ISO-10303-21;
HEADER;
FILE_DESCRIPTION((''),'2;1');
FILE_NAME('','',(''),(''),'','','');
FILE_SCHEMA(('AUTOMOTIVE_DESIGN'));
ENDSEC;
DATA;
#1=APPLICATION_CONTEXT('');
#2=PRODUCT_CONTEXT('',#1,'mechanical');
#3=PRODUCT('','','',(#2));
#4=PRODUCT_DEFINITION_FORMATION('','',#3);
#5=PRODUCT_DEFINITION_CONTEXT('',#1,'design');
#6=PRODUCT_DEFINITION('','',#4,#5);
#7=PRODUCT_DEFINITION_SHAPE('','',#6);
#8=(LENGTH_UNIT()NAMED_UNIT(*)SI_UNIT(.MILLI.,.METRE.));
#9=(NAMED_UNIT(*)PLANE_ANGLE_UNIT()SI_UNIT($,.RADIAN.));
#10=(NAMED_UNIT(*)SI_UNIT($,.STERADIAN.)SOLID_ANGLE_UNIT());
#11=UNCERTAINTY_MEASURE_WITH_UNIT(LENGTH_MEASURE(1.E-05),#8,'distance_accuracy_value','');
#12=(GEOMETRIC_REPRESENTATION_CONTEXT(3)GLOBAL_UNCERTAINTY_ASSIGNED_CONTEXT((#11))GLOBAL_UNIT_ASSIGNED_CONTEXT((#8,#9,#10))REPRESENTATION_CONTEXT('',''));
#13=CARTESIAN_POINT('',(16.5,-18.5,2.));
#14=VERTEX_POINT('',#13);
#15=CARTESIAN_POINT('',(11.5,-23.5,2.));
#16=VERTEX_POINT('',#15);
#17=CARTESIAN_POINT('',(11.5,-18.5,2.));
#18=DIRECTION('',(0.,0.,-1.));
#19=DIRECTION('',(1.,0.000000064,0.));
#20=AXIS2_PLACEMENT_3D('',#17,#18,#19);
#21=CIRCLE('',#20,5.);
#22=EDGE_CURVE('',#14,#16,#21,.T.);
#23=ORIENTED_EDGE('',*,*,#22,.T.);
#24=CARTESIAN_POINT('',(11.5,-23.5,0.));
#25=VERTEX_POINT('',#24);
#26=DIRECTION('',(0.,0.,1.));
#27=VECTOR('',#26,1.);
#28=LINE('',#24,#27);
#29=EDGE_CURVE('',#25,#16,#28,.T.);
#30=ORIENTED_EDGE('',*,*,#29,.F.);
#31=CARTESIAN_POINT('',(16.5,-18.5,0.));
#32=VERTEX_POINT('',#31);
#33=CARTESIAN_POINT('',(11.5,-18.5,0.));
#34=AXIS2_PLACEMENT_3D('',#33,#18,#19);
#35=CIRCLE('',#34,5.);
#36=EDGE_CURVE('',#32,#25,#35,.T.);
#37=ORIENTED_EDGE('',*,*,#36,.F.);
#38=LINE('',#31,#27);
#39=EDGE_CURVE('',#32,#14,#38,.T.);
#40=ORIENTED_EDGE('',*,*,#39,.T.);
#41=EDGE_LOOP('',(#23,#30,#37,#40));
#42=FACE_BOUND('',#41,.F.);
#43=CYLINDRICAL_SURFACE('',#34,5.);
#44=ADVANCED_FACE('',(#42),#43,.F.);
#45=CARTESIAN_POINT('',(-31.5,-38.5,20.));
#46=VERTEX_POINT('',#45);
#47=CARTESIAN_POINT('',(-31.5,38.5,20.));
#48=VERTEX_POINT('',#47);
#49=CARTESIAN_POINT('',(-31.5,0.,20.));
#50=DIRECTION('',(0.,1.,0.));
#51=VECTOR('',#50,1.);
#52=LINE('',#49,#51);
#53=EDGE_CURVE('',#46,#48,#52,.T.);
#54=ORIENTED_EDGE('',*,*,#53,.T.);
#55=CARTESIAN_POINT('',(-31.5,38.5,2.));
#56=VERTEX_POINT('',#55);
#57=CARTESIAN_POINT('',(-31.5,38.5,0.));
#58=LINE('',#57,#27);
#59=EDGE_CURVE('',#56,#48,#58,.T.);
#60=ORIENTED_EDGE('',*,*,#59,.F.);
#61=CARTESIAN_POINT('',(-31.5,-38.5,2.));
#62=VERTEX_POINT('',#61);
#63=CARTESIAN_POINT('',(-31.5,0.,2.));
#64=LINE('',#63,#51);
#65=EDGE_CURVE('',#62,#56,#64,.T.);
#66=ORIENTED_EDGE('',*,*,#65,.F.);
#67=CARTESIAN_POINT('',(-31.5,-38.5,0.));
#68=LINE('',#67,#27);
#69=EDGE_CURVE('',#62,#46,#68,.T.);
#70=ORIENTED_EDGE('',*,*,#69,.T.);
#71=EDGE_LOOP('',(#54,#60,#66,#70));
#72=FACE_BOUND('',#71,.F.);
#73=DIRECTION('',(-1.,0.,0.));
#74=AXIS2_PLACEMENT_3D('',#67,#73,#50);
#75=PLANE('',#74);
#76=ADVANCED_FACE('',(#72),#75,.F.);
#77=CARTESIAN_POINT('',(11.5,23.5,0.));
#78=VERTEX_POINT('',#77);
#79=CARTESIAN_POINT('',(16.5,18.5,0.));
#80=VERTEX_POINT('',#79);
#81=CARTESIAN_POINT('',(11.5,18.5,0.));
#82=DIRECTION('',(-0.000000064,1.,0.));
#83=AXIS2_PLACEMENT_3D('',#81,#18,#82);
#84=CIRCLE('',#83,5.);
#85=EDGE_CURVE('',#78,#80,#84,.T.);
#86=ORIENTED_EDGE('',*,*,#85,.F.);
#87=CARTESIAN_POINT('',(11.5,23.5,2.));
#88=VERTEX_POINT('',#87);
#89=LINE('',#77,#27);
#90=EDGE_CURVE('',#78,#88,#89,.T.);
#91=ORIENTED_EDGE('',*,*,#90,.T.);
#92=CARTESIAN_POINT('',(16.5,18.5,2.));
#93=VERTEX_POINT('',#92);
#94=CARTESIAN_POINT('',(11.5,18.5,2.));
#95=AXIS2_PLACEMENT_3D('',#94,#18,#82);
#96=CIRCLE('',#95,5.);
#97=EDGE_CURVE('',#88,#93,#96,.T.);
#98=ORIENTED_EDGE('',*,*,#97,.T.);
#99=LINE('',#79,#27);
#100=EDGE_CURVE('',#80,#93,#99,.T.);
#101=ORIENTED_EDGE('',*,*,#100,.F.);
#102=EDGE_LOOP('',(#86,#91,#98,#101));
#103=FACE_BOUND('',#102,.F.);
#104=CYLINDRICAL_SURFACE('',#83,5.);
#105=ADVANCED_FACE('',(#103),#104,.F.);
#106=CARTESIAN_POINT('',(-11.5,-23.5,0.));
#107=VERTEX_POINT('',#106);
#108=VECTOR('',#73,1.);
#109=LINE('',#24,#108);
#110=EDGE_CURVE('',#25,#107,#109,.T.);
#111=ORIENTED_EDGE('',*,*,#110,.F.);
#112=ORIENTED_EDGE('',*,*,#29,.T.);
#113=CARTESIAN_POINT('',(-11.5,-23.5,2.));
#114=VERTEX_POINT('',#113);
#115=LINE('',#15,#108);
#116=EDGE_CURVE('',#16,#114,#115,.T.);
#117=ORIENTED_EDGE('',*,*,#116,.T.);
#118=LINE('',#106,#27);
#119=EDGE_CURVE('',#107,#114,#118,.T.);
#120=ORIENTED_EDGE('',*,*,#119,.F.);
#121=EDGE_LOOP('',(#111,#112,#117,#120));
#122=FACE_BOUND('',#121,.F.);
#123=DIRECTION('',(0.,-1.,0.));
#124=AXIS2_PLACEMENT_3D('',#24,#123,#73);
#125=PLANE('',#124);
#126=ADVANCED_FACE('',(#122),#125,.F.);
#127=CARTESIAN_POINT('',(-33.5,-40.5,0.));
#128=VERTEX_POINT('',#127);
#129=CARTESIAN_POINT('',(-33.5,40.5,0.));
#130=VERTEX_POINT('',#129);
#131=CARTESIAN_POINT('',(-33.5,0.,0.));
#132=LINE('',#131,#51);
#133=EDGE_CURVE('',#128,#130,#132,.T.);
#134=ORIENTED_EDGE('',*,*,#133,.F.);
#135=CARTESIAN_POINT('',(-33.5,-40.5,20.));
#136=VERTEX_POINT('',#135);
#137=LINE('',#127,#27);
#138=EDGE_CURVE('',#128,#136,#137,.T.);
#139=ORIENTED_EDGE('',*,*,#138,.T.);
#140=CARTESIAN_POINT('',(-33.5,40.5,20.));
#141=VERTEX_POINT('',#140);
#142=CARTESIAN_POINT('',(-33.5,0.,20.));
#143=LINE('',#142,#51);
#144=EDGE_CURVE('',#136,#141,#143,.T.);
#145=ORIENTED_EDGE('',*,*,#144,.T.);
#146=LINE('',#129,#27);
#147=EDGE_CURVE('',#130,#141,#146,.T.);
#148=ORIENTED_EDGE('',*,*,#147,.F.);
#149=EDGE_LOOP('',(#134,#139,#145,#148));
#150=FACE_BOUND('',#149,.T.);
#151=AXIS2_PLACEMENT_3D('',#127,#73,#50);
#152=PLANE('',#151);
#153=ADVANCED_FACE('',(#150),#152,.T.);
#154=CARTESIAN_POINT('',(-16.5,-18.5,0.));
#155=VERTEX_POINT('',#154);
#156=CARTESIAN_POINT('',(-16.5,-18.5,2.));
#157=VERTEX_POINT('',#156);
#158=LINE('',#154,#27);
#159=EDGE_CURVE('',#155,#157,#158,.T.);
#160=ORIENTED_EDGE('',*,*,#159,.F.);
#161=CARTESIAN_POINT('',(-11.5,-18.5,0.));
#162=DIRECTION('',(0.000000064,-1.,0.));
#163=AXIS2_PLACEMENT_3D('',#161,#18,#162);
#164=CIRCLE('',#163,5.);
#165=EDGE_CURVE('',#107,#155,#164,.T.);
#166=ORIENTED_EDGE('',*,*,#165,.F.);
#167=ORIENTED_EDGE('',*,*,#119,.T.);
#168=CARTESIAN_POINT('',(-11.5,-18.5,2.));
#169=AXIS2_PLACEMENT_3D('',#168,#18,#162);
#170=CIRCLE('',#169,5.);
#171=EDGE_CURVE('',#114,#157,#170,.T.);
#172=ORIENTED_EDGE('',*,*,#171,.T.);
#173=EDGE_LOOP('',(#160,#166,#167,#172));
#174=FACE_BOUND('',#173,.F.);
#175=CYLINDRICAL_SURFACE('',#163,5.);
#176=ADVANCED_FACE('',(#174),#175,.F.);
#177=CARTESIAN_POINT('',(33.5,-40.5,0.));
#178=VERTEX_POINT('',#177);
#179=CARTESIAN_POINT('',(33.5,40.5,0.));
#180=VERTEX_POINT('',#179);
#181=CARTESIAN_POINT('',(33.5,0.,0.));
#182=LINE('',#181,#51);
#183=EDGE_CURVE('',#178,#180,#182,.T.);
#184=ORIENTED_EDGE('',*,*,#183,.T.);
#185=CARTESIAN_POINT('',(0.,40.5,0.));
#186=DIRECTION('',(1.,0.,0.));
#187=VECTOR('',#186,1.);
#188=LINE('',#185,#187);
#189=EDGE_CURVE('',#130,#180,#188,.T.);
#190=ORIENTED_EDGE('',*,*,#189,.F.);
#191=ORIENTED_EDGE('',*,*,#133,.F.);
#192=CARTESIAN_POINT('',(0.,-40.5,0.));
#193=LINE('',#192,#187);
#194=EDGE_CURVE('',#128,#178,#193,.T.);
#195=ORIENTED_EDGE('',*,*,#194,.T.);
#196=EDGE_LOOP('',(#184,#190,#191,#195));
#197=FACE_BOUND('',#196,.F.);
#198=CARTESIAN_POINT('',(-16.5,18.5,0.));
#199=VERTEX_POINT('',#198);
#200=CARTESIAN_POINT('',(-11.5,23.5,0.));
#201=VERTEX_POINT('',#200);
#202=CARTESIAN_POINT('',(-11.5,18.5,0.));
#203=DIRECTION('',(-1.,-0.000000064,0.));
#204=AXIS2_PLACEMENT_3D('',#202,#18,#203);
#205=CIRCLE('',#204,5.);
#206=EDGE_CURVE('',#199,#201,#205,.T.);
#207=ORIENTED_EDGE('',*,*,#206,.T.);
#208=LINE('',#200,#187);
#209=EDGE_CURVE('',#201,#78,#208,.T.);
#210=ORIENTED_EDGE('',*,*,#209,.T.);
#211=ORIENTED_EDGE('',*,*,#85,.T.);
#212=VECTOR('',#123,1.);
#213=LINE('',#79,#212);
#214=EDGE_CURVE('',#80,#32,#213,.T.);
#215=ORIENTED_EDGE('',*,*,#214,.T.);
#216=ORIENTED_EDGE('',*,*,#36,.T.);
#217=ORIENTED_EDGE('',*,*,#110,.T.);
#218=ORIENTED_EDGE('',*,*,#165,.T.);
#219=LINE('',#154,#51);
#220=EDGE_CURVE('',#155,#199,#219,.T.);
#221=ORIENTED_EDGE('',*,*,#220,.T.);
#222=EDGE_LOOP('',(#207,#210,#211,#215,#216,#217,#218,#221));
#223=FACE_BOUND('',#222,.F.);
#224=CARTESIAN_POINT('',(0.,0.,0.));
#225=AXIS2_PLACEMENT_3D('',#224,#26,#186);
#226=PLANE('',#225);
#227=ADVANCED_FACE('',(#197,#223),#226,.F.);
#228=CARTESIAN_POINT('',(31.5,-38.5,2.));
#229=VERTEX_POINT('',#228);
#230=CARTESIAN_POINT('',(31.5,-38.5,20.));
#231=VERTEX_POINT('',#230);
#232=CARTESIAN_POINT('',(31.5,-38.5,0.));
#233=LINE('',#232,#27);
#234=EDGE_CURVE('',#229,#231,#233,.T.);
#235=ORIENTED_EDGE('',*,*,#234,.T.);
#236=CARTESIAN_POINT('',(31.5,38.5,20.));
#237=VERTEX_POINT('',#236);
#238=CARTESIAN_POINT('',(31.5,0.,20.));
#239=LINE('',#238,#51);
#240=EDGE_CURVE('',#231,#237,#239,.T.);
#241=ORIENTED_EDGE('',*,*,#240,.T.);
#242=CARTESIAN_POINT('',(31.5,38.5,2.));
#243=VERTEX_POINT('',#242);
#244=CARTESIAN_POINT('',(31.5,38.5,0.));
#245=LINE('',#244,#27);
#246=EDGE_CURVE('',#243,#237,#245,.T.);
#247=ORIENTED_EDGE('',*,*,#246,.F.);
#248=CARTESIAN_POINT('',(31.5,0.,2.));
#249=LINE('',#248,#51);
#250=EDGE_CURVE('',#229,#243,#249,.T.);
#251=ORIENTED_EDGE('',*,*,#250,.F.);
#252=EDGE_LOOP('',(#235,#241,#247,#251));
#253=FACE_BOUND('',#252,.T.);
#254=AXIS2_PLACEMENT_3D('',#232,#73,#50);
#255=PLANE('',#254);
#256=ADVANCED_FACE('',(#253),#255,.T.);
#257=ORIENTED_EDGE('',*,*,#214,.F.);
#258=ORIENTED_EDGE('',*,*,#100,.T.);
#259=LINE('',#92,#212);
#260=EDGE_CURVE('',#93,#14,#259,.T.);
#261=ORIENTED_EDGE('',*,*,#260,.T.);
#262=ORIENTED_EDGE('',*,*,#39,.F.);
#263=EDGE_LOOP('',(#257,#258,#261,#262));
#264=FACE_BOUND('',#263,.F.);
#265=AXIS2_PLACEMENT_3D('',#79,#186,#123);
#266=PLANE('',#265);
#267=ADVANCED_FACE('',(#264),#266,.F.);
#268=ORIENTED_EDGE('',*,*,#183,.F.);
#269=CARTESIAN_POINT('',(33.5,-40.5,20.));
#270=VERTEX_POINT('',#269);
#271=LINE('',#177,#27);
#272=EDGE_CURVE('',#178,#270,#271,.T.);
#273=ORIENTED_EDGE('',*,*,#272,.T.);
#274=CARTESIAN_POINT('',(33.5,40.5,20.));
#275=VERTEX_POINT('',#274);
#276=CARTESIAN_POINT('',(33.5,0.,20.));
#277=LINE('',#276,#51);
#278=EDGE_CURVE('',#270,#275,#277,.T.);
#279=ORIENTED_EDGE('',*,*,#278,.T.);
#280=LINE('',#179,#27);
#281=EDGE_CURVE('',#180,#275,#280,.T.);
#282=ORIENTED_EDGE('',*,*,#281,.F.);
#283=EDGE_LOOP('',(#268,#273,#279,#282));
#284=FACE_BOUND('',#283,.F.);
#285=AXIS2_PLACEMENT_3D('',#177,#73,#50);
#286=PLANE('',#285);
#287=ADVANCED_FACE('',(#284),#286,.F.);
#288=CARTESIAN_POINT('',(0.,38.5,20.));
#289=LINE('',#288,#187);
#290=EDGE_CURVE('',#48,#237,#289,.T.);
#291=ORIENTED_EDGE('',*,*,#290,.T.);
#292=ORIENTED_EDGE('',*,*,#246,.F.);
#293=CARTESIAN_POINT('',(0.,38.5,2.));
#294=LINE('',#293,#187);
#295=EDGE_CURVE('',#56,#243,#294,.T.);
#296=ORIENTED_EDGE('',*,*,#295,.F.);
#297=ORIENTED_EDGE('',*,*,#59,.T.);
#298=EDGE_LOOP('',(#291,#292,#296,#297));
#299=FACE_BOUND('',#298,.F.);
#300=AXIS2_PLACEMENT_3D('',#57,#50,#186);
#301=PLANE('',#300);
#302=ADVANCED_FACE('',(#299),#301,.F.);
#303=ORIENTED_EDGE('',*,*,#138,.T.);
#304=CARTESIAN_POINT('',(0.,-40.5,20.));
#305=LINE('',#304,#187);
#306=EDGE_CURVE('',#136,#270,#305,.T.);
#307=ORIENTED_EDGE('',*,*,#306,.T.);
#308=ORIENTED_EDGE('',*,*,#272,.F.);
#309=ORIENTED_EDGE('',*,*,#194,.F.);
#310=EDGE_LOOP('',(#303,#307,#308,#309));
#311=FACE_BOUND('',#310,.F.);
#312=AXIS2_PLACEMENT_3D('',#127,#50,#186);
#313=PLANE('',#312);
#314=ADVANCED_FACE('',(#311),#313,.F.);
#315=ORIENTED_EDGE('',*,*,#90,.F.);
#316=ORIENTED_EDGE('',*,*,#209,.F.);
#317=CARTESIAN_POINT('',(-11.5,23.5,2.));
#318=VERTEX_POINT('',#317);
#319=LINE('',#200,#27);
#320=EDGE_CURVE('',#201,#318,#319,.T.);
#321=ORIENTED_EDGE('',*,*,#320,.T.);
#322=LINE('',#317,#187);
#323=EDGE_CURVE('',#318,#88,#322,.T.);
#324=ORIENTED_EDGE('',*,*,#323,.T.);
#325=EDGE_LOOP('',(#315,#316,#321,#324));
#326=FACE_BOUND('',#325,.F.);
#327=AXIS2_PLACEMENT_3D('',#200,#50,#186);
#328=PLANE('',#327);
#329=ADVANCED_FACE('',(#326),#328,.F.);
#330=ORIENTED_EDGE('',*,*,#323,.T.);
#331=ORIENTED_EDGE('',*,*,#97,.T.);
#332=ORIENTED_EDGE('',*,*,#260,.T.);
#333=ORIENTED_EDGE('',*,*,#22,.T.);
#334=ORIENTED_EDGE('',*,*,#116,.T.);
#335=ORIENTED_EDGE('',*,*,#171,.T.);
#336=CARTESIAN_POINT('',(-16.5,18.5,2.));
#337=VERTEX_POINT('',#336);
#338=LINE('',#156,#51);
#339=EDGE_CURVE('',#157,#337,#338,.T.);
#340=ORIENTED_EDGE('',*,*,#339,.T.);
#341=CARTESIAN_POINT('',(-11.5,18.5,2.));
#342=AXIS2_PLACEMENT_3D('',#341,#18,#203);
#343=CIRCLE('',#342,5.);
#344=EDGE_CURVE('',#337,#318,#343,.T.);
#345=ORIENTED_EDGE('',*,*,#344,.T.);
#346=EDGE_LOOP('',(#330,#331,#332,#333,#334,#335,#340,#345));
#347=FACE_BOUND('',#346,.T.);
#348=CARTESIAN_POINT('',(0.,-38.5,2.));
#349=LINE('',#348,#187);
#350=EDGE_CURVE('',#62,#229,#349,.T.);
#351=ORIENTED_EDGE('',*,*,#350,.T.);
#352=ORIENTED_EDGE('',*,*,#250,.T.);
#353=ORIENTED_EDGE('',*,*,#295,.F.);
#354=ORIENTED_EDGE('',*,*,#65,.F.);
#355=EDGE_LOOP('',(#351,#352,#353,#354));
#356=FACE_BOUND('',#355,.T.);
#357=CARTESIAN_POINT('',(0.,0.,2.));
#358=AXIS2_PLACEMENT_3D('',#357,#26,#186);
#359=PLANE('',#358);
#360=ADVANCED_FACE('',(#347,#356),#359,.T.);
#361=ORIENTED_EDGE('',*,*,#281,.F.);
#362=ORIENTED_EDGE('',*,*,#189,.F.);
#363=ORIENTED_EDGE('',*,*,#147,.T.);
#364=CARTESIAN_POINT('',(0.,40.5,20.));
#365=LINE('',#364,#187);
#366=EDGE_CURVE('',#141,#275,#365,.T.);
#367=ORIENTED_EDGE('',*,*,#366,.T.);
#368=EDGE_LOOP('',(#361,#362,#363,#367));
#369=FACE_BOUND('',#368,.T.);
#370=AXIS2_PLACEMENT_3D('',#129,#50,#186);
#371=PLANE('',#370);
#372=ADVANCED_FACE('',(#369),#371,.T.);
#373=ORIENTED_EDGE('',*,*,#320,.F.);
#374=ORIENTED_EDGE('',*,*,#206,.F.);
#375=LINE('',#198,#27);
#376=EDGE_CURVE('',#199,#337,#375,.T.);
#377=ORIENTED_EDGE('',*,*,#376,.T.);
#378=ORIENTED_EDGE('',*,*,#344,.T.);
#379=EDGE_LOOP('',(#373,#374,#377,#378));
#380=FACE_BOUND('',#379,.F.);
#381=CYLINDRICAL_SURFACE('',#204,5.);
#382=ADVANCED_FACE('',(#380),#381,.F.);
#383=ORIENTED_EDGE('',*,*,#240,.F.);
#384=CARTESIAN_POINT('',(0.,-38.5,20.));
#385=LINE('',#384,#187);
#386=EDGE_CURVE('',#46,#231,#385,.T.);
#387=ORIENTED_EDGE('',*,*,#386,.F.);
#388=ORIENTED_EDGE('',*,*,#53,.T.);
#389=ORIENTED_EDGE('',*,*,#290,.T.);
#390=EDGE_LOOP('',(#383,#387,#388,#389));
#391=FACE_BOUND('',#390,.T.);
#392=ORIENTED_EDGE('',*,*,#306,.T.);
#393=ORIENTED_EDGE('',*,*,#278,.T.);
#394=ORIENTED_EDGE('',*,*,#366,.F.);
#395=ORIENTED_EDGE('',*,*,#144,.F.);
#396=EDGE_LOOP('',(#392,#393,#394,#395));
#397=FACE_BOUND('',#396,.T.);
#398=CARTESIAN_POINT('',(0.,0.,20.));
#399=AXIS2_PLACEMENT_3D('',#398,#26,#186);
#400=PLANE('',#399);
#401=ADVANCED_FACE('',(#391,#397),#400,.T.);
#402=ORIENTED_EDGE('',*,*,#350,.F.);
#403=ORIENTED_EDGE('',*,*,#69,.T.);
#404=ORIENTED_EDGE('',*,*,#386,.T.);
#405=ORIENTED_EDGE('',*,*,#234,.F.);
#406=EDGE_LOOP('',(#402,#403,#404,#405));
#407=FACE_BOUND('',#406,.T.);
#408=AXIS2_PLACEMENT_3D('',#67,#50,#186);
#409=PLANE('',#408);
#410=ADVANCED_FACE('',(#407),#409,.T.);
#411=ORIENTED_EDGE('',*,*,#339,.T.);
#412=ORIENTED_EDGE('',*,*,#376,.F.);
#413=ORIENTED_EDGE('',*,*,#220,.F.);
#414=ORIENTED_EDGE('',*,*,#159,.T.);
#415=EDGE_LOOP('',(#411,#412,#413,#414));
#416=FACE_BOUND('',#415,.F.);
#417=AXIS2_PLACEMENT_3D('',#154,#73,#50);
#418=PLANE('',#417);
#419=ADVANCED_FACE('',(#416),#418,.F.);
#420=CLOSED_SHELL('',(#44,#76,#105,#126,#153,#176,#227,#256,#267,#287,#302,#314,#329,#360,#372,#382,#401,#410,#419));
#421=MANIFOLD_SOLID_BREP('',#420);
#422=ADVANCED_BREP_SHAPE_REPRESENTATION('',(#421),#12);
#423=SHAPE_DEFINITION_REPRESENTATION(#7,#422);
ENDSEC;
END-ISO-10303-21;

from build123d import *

# Parameters (mm, degrees)
F0_W     = 63
F0_H     = 77
F1_DEPTH = 2
F0_W_2   = 67
F0_H_2   = 81
F2_DEPTH = 20


with BuildPart() as f1:
    # F0 (on Top) → F1 (new body)
    with BuildSketch(Plane.XY):
        Rectangle(F0_W, F0_H)
        with BuildLine():
            ThreePointArc((-16.5, 18.5), (-15.035534, 22.035534), (-11.5, 23.5))
            Line((-11.5, 23.5), (11.5, 23.5))
            ThreePointArc((11.5, 23.5), (15.035534, 22.035534), (16.5, 18.5))
            Line((16.5, 18.5), (16.5, -18.5))
            ThreePointArc((16.5, -18.5), (15.035534, -22.035534), (11.5, -23.5))
            Line((11.5, -23.5), (-11.5, -23.5))
            ThreePointArc((-11.5, -23.5), (-15.035534, -22.035534), (-16.5, -18.5))
            Line((-16.5, -18.5), (-16.5, 18.5))
        make_face(mode=Mode.SUBTRACT)
    extrude(amount=F1_DEPTH)

    # F0 (on Top) → F2 (join)
    with BuildSketch(Plane.XY):
        Rectangle(F0_W_2, F0_H_2)
        Rectangle(F0_W, F0_H, mode=Mode.SUBTRACT)
    extrude(amount=F2_DEPTH)


solid = f1.part
